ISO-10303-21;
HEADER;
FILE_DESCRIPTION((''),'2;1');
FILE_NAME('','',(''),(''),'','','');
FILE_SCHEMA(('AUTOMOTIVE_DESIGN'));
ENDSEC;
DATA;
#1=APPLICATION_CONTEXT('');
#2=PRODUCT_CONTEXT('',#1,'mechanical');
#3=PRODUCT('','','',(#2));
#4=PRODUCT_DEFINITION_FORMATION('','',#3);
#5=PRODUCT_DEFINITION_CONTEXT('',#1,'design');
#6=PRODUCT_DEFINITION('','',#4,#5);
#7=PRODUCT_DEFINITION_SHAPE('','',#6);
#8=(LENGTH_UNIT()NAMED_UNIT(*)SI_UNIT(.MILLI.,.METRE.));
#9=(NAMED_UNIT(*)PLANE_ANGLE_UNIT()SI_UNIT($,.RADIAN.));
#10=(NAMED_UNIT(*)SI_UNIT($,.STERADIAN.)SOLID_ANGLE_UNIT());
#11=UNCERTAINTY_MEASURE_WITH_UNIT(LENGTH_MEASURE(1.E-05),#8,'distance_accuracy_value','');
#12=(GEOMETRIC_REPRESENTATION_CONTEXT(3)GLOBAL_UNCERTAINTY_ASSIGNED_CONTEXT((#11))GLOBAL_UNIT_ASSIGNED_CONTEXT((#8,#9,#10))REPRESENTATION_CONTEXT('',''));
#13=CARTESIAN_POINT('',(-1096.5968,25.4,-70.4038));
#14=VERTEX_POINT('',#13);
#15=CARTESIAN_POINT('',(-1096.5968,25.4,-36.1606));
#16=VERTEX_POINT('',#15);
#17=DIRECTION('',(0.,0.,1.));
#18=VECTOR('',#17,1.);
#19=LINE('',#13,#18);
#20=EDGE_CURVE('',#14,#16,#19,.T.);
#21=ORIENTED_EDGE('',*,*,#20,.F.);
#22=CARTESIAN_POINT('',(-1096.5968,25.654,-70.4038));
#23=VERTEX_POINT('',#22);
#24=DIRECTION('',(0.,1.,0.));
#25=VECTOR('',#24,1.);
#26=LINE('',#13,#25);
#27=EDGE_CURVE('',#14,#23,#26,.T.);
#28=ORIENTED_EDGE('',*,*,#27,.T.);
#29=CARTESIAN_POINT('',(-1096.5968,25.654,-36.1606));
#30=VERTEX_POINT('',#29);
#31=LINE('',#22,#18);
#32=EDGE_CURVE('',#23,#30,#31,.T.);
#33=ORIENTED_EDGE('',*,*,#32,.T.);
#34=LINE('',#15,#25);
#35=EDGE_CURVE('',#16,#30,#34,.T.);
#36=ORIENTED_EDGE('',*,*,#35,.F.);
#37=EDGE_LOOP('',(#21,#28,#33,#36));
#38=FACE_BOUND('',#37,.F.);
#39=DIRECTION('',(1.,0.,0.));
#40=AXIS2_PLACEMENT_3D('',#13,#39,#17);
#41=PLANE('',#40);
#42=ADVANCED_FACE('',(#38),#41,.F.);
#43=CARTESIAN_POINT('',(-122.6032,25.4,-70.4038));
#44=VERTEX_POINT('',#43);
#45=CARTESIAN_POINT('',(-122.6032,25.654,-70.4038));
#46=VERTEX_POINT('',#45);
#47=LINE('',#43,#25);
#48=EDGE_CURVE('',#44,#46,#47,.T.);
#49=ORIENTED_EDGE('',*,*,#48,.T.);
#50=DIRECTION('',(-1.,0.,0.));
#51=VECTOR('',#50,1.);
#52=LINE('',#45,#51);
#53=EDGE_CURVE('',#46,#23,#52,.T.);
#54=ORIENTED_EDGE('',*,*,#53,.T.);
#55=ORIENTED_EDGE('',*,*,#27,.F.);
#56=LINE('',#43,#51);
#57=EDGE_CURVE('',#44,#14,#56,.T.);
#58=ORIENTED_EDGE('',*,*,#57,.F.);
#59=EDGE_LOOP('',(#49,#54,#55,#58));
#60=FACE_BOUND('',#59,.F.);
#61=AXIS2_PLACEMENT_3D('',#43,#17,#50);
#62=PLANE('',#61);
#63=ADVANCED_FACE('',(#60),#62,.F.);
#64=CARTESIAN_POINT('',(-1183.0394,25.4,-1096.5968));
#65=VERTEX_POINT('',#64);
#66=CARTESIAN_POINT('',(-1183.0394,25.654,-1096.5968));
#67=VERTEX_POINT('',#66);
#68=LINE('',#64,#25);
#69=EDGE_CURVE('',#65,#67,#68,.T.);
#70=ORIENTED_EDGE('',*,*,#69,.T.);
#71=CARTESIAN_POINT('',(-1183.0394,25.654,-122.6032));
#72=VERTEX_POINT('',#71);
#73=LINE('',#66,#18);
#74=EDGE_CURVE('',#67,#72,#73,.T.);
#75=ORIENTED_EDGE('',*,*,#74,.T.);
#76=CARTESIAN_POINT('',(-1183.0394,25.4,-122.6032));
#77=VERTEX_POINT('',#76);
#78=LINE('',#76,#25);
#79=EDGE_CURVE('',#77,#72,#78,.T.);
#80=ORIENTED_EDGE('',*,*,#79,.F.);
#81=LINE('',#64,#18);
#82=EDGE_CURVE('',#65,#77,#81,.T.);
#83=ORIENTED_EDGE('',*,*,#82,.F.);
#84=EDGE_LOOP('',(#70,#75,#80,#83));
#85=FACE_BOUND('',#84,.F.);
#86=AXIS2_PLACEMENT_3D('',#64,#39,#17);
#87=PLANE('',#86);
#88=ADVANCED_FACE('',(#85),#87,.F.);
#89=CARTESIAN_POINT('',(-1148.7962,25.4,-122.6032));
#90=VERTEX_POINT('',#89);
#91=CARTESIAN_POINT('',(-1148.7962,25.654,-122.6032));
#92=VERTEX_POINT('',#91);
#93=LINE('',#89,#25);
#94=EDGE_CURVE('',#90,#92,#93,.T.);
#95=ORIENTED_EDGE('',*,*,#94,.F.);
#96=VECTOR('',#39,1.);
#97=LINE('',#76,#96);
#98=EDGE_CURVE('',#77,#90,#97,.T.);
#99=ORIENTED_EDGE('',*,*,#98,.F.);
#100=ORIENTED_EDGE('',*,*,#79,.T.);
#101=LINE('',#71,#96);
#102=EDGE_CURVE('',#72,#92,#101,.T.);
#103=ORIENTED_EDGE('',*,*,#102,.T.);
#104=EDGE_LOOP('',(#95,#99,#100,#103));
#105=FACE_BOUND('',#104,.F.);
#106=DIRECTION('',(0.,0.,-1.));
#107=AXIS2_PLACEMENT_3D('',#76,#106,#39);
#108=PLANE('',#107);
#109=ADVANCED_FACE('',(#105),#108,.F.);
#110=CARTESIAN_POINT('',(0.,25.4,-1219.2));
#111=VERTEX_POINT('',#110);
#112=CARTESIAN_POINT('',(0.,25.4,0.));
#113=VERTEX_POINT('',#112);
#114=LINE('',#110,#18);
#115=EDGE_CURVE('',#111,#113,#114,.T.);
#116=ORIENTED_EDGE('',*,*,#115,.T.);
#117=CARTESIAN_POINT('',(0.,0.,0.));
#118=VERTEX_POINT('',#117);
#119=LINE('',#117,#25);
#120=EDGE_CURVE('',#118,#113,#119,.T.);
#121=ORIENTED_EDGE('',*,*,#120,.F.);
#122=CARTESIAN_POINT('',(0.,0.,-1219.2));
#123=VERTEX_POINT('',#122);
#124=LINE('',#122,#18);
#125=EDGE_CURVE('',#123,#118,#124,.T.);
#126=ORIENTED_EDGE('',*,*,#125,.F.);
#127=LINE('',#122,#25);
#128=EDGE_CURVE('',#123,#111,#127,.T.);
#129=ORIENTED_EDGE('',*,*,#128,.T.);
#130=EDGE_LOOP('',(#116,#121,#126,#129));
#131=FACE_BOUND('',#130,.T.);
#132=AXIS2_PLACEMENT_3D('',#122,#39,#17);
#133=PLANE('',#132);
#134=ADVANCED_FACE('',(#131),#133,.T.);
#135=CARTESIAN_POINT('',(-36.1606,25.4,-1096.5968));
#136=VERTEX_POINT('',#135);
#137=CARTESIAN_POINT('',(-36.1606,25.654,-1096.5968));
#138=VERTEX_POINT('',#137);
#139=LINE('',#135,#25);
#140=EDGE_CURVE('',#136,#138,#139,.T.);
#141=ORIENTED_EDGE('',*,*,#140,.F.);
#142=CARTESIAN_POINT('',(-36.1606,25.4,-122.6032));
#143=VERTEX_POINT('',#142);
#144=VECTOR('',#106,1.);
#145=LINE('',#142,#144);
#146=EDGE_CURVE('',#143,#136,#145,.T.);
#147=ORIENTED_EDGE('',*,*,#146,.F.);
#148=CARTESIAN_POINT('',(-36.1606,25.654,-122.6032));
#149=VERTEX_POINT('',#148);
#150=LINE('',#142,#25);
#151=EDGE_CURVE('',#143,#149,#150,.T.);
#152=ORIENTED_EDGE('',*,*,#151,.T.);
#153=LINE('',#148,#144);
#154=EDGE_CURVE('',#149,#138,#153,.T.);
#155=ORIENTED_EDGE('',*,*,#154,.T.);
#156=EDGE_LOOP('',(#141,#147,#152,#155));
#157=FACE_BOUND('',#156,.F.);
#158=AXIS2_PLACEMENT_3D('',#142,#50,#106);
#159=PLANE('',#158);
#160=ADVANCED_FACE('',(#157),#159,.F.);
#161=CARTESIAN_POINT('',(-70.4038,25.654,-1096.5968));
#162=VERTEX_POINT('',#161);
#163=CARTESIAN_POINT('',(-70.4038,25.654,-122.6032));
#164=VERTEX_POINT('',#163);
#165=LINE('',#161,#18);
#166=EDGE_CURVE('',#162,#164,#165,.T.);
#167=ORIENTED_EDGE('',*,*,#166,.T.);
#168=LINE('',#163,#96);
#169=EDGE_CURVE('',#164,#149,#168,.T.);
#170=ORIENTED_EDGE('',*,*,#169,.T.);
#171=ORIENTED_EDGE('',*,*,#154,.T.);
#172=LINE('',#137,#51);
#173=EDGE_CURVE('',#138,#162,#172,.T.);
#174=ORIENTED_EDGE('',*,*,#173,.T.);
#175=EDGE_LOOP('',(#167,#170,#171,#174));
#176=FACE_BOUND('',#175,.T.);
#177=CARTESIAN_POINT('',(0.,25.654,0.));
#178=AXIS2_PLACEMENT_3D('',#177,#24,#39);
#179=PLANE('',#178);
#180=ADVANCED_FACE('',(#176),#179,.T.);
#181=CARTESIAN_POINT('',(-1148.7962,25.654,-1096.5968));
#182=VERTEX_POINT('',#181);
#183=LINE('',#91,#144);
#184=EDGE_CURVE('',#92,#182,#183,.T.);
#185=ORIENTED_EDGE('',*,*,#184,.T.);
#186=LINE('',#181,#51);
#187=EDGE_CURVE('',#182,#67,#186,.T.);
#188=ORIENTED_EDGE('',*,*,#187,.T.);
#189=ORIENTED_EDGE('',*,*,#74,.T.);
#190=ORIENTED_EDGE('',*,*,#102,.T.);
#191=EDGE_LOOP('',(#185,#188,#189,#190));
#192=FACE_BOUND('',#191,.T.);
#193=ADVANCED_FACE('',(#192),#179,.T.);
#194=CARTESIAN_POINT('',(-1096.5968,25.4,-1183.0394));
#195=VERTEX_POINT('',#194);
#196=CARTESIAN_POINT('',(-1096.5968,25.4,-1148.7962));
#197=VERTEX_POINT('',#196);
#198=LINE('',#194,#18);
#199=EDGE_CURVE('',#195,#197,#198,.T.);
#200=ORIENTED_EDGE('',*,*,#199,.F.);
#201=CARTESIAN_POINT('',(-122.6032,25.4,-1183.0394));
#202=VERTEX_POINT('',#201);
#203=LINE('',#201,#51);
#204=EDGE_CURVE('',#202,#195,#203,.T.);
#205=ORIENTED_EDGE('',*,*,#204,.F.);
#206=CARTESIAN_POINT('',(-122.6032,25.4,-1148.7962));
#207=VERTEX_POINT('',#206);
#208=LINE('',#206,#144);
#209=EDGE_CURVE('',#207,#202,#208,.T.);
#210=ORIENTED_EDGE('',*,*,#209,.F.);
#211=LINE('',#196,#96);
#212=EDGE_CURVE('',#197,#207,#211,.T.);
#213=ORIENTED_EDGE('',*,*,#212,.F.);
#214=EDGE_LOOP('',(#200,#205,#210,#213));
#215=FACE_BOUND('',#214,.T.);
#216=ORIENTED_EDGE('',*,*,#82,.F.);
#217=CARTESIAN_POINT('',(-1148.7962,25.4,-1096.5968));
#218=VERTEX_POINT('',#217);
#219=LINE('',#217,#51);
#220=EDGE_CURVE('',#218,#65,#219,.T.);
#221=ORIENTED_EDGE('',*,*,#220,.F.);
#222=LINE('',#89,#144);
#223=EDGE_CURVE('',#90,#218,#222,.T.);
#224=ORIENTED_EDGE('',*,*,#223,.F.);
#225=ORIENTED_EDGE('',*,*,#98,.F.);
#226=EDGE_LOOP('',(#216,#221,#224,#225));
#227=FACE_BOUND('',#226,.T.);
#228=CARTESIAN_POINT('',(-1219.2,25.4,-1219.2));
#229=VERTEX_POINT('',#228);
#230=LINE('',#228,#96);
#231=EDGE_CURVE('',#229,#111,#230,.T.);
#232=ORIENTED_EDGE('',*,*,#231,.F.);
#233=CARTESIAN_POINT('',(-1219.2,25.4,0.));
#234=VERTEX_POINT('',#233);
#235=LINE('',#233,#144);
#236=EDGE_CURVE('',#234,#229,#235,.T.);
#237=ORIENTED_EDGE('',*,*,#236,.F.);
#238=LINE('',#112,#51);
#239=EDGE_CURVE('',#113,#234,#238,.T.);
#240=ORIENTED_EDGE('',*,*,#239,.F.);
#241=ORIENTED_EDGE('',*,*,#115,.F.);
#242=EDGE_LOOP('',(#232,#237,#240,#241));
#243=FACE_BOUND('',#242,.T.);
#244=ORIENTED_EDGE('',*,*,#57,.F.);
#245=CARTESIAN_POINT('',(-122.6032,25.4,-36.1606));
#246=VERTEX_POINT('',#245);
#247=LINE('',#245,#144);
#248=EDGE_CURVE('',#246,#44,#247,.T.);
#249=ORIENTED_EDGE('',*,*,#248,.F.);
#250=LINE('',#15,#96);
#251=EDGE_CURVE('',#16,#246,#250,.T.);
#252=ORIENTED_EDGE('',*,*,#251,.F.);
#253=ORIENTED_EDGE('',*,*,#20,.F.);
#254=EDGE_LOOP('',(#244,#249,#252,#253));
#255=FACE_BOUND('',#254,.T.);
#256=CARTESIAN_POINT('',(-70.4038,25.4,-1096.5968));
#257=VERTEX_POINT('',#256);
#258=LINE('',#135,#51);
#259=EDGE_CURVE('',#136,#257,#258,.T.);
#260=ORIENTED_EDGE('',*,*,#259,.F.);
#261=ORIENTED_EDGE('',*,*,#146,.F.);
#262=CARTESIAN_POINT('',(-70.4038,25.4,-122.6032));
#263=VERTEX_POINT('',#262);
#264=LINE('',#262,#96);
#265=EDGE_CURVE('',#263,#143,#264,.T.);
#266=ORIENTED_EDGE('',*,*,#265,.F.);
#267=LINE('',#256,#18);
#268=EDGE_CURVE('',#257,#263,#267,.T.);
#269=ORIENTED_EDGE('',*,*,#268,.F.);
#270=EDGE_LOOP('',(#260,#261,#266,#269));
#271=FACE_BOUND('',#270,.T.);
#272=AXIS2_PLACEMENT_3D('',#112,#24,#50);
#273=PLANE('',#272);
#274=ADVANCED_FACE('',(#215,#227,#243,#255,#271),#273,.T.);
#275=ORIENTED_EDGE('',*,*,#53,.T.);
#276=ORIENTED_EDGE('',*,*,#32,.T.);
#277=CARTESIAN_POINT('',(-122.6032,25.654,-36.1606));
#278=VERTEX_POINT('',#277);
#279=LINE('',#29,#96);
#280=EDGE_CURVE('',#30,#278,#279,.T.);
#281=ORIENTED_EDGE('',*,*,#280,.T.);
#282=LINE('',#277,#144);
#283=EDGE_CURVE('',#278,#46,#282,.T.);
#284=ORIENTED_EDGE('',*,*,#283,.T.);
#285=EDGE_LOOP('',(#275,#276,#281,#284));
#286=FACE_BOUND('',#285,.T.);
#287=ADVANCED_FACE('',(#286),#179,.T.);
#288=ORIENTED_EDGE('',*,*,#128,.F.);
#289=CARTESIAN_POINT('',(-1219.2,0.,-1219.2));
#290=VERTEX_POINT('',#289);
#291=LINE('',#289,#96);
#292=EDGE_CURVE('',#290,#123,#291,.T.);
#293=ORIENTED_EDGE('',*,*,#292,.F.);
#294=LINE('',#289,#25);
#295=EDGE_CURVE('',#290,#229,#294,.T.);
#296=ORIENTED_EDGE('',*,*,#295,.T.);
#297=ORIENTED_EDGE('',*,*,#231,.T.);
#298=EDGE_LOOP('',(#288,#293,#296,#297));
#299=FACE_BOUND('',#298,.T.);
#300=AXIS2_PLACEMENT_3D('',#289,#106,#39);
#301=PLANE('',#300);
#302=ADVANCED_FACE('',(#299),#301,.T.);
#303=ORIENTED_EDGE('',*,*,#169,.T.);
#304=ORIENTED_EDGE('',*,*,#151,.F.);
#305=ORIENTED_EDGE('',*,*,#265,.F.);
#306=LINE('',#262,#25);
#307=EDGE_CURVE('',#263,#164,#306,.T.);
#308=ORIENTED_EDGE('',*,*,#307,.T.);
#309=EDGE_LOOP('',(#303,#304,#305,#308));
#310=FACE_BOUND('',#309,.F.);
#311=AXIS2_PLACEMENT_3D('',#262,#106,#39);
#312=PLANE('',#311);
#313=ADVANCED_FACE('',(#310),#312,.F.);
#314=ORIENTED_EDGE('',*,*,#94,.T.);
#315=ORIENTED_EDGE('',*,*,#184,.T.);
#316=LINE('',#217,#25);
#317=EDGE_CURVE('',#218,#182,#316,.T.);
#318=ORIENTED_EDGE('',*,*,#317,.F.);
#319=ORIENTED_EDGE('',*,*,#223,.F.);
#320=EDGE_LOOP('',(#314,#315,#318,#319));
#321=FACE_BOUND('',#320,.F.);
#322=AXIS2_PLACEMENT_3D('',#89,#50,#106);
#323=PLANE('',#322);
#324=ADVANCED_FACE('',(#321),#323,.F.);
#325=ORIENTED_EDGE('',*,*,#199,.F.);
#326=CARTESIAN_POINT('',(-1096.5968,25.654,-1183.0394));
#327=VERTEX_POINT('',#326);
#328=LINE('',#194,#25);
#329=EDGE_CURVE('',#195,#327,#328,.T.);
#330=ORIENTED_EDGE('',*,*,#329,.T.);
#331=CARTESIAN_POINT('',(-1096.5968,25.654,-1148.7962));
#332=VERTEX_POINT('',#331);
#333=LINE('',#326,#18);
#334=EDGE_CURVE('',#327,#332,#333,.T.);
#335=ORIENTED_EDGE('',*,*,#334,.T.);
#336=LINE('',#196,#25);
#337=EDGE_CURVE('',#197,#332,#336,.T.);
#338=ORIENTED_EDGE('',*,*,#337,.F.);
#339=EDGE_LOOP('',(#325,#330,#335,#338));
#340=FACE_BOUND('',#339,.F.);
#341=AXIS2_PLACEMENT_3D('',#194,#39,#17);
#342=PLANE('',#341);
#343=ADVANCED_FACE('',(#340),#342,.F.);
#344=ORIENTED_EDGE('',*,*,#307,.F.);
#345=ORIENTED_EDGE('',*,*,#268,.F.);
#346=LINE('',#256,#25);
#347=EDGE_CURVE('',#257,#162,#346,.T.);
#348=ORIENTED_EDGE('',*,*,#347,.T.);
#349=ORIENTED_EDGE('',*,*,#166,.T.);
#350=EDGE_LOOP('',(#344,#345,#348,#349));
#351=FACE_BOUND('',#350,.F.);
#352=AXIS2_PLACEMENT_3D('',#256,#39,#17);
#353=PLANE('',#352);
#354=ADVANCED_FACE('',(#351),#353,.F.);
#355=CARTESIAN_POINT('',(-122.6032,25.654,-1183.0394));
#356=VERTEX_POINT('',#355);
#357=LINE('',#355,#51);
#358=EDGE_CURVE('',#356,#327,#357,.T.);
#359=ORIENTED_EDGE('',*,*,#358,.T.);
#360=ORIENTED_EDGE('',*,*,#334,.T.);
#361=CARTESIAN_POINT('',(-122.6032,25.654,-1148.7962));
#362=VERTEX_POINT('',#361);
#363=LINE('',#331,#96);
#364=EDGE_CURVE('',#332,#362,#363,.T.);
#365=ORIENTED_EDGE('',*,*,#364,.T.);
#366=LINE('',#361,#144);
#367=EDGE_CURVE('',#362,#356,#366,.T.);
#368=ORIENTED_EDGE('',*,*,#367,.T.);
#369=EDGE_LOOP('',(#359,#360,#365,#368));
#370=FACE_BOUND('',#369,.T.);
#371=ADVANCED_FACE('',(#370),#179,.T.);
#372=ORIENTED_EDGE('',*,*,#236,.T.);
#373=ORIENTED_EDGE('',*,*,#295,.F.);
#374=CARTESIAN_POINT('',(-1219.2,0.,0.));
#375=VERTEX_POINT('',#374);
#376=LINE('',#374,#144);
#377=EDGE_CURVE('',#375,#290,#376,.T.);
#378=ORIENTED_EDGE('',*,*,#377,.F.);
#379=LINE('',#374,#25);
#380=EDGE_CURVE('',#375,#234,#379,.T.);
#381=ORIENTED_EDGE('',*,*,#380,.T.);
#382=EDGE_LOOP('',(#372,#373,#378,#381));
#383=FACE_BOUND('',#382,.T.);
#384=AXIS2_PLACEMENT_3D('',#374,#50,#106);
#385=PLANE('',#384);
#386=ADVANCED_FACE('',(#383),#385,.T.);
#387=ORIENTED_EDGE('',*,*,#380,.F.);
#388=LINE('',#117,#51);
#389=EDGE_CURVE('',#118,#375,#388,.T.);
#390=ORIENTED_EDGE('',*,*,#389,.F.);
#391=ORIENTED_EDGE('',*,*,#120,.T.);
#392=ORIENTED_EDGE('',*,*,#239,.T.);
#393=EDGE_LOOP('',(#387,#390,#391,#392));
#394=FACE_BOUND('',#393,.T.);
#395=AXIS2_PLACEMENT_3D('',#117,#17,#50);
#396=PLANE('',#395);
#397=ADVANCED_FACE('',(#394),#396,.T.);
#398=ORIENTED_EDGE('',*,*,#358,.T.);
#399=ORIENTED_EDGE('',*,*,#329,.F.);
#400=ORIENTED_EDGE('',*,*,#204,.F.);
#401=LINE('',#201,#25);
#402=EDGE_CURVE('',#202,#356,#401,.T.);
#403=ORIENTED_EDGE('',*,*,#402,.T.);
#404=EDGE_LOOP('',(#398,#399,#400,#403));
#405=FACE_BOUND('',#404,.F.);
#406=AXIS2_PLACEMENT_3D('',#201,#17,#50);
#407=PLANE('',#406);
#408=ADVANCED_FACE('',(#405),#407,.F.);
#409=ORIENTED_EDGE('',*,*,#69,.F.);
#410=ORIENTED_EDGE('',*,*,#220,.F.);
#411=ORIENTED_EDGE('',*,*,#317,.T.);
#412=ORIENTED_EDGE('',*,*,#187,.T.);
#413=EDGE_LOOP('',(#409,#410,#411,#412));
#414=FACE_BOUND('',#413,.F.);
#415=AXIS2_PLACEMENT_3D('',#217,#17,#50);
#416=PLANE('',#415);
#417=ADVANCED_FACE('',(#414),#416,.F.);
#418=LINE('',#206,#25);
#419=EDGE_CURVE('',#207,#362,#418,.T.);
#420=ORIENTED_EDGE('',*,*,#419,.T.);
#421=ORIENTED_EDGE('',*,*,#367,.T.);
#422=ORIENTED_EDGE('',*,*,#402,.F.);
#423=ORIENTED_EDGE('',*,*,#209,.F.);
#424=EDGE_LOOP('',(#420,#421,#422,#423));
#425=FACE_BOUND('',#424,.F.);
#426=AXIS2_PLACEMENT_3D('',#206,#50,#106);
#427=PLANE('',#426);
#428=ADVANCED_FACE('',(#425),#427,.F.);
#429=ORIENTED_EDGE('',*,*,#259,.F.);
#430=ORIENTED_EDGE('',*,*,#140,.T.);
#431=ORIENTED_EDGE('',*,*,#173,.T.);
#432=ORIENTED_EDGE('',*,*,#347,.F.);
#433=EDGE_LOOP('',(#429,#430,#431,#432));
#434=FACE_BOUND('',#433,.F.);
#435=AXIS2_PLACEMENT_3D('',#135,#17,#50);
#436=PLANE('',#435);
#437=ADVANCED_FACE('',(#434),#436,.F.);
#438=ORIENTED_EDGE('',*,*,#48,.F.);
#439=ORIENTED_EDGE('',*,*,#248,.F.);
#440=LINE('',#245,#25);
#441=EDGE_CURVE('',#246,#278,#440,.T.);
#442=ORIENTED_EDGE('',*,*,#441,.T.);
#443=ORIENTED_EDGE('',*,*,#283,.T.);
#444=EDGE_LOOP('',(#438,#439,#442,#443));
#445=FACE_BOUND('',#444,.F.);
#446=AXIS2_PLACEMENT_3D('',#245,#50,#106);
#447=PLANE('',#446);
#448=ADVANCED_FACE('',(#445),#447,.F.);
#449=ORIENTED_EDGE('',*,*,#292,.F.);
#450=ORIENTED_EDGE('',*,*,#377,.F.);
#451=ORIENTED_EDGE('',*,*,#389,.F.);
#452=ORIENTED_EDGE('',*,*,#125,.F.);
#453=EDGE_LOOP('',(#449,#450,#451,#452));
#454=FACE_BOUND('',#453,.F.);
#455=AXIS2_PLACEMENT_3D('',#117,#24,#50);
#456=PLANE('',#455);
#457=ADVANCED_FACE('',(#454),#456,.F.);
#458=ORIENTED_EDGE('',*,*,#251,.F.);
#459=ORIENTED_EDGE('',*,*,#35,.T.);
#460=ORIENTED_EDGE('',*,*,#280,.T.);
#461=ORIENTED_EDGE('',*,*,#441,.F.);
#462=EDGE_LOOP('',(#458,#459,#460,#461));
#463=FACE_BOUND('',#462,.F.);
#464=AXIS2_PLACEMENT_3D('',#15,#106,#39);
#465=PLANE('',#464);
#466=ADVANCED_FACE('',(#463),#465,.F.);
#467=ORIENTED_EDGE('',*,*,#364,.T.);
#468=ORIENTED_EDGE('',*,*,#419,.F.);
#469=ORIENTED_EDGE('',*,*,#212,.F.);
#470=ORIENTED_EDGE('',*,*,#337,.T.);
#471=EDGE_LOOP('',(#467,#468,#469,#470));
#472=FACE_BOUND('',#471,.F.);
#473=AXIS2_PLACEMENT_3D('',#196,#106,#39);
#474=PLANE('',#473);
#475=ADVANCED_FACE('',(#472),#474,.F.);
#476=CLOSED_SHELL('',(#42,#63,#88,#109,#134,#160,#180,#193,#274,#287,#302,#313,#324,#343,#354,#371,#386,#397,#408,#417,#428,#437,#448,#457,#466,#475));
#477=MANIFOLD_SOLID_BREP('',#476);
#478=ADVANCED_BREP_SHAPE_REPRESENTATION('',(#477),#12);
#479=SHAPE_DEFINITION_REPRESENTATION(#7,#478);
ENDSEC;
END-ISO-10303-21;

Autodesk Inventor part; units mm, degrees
ref_plane "YZ Plane" through (0, 0, 0) normal (1, 0, 0) x (0, 1, 0)
ref_plane "XZ Plane" through (0, 0, 0) normal (0, 1, 0) x (-1, 0, 0)
ref_plane "XY Plane" through (0, 0, 0) normal (0, 0, 1) x (1, 0, 0)
sketch "Sketch1" plane through (0, 0, 0) normal (0, 1, 0) x (-1, 0, 0)
  line L0 (0, 0) -> (1219.2, 0)
  line L1 (1219.2, 0) -> (1219.2, -1219.2)
  line L2 (1219.2, -1219.2) -> (0, -1219.2)
  line L3 (0, -1219.2) -> (0, 0)
  dimension "d0" = 1219.2
  dimension "d1" = 1219.2
extrude "Extrusion1" add sketch "Sketch1" along normal blind 25.4
sketch "Sketch2" plane through (0, 25.4, 0) normal (0, 1, 0) x (1, 0, 0)
  line L0 (-1219.2, 1219.2) -> (-1219.2, 0) projected
  line L1 (0, 1219.2) -> (-1219.2, 1219.2) projected
  line L2 (-1183.0394, 122.6032) -> (-1148.7962, 122.6032)
  line L3 (-1148.7962, 122.6032) -> (-1148.7962, 1096.5968)
  line L4 (-1148.7962, 1096.5968) -> (-1183.0394, 1096.5968)
  line L5 (-1183.0394, 1096.5968) -> (-1183.0394, 122.6032)
  line L6 (-122.6032, 36.1606) -> (-122.6032, 70.4038)
  line L7 (-122.6032, 70.4038) -> (-1096.5968, 70.4038)
  line L8 (-1096.5968, 70.4038) -> (-1096.5968, 36.1606)
  line L9 (-1096.5968, 36.1606) -> (-122.6032, 36.1606)
  line L10 (-36.1606, 1096.5968) -> (-70.4038, 1096.5968)
  line L11 (-70.4038, 1096.5968) -> (-70.4038, 122.6032)
  line L12 (-70.4038, 122.6032) -> (-36.1606, 122.6032)
  line L13 (-36.1606, 122.6032) -> (-36.1606, 1096.5968)
  line L14 (-1096.5968, 1183.0394) -> (-1096.5968, 1148.7962)
  line L15 (-1096.5968, 1148.7962) -> (-122.6032, 1148.7962)
  line L16 (-122.6032, 1148.7962) -> (-122.6032, 1183.0394)
  line L17 (-122.6032, 1183.0394) -> (-1096.5968, 1183.0394)
  point P0 (0, 0)
  point P1 (-609.6, 609.6)
  dimension "d4" = 609.6
  dimension "d5" = 609.6
  dimension "d8" = 360
extrude "Extrusion2" add sketch "Sketch2" along normal blind 0.254
equation "\"d1\" = d0"
equation "\"d5\" = d4"
properties part number "intersection_1"
